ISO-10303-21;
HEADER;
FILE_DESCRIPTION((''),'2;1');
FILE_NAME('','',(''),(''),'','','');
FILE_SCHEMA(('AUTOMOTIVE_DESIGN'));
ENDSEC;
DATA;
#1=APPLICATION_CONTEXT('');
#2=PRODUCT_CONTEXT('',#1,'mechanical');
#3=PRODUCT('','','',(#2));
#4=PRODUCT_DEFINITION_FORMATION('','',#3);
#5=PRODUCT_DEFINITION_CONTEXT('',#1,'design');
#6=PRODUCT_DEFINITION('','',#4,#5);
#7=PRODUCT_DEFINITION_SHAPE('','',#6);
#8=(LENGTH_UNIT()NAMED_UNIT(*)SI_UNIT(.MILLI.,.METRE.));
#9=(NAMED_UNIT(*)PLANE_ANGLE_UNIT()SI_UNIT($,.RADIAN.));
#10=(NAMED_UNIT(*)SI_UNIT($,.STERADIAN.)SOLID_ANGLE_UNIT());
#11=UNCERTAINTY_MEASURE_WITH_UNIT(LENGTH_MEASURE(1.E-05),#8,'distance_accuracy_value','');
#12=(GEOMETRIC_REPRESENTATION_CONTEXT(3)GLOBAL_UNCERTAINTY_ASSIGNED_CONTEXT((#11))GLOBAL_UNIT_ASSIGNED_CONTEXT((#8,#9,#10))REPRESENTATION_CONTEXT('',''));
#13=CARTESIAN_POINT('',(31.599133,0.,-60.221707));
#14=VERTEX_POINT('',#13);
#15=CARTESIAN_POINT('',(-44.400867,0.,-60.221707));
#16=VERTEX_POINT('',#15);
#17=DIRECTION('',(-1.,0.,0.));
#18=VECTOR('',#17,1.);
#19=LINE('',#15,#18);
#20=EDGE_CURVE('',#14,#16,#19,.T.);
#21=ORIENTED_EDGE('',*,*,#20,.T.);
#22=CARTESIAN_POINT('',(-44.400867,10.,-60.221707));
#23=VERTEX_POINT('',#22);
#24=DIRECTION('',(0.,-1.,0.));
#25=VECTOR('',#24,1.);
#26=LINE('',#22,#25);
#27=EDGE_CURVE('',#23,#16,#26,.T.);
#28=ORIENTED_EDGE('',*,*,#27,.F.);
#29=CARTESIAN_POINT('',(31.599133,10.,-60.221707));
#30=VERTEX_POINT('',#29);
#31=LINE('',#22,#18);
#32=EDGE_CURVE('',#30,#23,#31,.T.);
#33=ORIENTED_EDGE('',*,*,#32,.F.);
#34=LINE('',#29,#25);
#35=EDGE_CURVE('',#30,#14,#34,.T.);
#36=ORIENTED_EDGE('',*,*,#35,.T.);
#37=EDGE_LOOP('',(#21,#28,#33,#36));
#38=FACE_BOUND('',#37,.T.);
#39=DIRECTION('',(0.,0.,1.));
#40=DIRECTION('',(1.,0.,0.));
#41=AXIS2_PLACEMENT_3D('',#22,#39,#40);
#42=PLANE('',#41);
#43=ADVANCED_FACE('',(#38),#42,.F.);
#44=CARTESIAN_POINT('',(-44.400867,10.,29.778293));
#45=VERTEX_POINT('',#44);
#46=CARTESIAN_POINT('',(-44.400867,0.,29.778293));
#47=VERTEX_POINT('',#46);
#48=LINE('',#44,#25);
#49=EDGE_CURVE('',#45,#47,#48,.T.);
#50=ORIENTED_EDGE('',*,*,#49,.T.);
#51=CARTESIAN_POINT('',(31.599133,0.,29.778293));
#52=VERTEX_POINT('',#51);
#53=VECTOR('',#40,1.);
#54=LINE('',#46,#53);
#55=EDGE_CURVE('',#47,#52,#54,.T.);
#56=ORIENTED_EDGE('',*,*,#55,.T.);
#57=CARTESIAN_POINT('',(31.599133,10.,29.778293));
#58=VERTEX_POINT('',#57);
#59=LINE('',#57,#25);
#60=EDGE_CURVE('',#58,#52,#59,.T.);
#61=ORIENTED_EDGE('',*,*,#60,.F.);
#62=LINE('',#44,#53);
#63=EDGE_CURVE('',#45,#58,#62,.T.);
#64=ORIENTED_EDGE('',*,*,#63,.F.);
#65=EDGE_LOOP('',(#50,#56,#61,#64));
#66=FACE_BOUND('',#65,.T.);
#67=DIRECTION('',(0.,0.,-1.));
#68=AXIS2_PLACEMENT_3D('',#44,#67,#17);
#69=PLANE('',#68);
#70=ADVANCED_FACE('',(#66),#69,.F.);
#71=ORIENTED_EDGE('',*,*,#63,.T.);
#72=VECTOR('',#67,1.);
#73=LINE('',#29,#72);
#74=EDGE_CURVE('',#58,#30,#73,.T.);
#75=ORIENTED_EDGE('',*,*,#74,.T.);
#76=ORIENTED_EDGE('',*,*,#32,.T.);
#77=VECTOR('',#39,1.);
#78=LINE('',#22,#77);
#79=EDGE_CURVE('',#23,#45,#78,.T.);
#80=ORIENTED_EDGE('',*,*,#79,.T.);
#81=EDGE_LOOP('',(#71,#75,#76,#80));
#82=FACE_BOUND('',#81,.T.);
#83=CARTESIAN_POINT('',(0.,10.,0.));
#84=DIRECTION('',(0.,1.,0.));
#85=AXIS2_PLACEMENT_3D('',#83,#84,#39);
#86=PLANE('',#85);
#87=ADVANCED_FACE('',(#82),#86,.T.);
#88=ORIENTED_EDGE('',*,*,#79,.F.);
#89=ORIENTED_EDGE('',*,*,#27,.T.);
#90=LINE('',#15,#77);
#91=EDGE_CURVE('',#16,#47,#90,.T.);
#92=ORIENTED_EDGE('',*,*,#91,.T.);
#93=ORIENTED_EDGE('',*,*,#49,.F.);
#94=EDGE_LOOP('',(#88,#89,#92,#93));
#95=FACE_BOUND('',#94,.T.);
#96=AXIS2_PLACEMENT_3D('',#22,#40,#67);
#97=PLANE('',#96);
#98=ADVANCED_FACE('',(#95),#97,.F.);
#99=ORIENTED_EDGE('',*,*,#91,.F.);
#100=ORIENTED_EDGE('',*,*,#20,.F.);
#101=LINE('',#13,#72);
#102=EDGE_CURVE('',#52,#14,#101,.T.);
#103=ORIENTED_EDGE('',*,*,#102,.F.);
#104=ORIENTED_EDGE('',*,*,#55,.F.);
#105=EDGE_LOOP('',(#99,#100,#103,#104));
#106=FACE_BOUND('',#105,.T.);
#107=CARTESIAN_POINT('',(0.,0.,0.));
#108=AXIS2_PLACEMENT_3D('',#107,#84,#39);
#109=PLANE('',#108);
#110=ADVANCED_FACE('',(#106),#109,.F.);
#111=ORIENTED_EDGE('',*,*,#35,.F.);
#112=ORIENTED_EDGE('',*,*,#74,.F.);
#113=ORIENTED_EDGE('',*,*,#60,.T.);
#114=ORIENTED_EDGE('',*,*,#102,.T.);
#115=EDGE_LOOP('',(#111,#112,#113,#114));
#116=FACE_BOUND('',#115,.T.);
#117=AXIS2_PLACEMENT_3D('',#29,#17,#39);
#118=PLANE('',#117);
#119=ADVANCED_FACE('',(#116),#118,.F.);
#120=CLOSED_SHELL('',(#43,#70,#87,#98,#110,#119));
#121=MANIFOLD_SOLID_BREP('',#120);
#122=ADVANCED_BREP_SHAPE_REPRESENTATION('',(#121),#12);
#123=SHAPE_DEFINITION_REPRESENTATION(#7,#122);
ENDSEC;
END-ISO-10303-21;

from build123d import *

# Parameters (mm, degrees)
ESBO_O1_W                = 76
ESBO_O1_H                = 90
RESSALTO_EXTRUS_O1_DEPTH = 10


with BuildPart() as part:
    # Esboço1 → Ressalto-extrusão1 (new body)
    with BuildSketch(Plane(origin=(0, 0, 0), x_dir=(1, 0, 0), z_dir=(0, 1, 0))):
        with Locations((-6.400866803, 15.221707086)):
            Rectangle(ESBO_O1_W, ESBO_O1_H)
    extrude(amount=RESSALTO_EXTRUS_O1_DEPTH)


solid = part.part
